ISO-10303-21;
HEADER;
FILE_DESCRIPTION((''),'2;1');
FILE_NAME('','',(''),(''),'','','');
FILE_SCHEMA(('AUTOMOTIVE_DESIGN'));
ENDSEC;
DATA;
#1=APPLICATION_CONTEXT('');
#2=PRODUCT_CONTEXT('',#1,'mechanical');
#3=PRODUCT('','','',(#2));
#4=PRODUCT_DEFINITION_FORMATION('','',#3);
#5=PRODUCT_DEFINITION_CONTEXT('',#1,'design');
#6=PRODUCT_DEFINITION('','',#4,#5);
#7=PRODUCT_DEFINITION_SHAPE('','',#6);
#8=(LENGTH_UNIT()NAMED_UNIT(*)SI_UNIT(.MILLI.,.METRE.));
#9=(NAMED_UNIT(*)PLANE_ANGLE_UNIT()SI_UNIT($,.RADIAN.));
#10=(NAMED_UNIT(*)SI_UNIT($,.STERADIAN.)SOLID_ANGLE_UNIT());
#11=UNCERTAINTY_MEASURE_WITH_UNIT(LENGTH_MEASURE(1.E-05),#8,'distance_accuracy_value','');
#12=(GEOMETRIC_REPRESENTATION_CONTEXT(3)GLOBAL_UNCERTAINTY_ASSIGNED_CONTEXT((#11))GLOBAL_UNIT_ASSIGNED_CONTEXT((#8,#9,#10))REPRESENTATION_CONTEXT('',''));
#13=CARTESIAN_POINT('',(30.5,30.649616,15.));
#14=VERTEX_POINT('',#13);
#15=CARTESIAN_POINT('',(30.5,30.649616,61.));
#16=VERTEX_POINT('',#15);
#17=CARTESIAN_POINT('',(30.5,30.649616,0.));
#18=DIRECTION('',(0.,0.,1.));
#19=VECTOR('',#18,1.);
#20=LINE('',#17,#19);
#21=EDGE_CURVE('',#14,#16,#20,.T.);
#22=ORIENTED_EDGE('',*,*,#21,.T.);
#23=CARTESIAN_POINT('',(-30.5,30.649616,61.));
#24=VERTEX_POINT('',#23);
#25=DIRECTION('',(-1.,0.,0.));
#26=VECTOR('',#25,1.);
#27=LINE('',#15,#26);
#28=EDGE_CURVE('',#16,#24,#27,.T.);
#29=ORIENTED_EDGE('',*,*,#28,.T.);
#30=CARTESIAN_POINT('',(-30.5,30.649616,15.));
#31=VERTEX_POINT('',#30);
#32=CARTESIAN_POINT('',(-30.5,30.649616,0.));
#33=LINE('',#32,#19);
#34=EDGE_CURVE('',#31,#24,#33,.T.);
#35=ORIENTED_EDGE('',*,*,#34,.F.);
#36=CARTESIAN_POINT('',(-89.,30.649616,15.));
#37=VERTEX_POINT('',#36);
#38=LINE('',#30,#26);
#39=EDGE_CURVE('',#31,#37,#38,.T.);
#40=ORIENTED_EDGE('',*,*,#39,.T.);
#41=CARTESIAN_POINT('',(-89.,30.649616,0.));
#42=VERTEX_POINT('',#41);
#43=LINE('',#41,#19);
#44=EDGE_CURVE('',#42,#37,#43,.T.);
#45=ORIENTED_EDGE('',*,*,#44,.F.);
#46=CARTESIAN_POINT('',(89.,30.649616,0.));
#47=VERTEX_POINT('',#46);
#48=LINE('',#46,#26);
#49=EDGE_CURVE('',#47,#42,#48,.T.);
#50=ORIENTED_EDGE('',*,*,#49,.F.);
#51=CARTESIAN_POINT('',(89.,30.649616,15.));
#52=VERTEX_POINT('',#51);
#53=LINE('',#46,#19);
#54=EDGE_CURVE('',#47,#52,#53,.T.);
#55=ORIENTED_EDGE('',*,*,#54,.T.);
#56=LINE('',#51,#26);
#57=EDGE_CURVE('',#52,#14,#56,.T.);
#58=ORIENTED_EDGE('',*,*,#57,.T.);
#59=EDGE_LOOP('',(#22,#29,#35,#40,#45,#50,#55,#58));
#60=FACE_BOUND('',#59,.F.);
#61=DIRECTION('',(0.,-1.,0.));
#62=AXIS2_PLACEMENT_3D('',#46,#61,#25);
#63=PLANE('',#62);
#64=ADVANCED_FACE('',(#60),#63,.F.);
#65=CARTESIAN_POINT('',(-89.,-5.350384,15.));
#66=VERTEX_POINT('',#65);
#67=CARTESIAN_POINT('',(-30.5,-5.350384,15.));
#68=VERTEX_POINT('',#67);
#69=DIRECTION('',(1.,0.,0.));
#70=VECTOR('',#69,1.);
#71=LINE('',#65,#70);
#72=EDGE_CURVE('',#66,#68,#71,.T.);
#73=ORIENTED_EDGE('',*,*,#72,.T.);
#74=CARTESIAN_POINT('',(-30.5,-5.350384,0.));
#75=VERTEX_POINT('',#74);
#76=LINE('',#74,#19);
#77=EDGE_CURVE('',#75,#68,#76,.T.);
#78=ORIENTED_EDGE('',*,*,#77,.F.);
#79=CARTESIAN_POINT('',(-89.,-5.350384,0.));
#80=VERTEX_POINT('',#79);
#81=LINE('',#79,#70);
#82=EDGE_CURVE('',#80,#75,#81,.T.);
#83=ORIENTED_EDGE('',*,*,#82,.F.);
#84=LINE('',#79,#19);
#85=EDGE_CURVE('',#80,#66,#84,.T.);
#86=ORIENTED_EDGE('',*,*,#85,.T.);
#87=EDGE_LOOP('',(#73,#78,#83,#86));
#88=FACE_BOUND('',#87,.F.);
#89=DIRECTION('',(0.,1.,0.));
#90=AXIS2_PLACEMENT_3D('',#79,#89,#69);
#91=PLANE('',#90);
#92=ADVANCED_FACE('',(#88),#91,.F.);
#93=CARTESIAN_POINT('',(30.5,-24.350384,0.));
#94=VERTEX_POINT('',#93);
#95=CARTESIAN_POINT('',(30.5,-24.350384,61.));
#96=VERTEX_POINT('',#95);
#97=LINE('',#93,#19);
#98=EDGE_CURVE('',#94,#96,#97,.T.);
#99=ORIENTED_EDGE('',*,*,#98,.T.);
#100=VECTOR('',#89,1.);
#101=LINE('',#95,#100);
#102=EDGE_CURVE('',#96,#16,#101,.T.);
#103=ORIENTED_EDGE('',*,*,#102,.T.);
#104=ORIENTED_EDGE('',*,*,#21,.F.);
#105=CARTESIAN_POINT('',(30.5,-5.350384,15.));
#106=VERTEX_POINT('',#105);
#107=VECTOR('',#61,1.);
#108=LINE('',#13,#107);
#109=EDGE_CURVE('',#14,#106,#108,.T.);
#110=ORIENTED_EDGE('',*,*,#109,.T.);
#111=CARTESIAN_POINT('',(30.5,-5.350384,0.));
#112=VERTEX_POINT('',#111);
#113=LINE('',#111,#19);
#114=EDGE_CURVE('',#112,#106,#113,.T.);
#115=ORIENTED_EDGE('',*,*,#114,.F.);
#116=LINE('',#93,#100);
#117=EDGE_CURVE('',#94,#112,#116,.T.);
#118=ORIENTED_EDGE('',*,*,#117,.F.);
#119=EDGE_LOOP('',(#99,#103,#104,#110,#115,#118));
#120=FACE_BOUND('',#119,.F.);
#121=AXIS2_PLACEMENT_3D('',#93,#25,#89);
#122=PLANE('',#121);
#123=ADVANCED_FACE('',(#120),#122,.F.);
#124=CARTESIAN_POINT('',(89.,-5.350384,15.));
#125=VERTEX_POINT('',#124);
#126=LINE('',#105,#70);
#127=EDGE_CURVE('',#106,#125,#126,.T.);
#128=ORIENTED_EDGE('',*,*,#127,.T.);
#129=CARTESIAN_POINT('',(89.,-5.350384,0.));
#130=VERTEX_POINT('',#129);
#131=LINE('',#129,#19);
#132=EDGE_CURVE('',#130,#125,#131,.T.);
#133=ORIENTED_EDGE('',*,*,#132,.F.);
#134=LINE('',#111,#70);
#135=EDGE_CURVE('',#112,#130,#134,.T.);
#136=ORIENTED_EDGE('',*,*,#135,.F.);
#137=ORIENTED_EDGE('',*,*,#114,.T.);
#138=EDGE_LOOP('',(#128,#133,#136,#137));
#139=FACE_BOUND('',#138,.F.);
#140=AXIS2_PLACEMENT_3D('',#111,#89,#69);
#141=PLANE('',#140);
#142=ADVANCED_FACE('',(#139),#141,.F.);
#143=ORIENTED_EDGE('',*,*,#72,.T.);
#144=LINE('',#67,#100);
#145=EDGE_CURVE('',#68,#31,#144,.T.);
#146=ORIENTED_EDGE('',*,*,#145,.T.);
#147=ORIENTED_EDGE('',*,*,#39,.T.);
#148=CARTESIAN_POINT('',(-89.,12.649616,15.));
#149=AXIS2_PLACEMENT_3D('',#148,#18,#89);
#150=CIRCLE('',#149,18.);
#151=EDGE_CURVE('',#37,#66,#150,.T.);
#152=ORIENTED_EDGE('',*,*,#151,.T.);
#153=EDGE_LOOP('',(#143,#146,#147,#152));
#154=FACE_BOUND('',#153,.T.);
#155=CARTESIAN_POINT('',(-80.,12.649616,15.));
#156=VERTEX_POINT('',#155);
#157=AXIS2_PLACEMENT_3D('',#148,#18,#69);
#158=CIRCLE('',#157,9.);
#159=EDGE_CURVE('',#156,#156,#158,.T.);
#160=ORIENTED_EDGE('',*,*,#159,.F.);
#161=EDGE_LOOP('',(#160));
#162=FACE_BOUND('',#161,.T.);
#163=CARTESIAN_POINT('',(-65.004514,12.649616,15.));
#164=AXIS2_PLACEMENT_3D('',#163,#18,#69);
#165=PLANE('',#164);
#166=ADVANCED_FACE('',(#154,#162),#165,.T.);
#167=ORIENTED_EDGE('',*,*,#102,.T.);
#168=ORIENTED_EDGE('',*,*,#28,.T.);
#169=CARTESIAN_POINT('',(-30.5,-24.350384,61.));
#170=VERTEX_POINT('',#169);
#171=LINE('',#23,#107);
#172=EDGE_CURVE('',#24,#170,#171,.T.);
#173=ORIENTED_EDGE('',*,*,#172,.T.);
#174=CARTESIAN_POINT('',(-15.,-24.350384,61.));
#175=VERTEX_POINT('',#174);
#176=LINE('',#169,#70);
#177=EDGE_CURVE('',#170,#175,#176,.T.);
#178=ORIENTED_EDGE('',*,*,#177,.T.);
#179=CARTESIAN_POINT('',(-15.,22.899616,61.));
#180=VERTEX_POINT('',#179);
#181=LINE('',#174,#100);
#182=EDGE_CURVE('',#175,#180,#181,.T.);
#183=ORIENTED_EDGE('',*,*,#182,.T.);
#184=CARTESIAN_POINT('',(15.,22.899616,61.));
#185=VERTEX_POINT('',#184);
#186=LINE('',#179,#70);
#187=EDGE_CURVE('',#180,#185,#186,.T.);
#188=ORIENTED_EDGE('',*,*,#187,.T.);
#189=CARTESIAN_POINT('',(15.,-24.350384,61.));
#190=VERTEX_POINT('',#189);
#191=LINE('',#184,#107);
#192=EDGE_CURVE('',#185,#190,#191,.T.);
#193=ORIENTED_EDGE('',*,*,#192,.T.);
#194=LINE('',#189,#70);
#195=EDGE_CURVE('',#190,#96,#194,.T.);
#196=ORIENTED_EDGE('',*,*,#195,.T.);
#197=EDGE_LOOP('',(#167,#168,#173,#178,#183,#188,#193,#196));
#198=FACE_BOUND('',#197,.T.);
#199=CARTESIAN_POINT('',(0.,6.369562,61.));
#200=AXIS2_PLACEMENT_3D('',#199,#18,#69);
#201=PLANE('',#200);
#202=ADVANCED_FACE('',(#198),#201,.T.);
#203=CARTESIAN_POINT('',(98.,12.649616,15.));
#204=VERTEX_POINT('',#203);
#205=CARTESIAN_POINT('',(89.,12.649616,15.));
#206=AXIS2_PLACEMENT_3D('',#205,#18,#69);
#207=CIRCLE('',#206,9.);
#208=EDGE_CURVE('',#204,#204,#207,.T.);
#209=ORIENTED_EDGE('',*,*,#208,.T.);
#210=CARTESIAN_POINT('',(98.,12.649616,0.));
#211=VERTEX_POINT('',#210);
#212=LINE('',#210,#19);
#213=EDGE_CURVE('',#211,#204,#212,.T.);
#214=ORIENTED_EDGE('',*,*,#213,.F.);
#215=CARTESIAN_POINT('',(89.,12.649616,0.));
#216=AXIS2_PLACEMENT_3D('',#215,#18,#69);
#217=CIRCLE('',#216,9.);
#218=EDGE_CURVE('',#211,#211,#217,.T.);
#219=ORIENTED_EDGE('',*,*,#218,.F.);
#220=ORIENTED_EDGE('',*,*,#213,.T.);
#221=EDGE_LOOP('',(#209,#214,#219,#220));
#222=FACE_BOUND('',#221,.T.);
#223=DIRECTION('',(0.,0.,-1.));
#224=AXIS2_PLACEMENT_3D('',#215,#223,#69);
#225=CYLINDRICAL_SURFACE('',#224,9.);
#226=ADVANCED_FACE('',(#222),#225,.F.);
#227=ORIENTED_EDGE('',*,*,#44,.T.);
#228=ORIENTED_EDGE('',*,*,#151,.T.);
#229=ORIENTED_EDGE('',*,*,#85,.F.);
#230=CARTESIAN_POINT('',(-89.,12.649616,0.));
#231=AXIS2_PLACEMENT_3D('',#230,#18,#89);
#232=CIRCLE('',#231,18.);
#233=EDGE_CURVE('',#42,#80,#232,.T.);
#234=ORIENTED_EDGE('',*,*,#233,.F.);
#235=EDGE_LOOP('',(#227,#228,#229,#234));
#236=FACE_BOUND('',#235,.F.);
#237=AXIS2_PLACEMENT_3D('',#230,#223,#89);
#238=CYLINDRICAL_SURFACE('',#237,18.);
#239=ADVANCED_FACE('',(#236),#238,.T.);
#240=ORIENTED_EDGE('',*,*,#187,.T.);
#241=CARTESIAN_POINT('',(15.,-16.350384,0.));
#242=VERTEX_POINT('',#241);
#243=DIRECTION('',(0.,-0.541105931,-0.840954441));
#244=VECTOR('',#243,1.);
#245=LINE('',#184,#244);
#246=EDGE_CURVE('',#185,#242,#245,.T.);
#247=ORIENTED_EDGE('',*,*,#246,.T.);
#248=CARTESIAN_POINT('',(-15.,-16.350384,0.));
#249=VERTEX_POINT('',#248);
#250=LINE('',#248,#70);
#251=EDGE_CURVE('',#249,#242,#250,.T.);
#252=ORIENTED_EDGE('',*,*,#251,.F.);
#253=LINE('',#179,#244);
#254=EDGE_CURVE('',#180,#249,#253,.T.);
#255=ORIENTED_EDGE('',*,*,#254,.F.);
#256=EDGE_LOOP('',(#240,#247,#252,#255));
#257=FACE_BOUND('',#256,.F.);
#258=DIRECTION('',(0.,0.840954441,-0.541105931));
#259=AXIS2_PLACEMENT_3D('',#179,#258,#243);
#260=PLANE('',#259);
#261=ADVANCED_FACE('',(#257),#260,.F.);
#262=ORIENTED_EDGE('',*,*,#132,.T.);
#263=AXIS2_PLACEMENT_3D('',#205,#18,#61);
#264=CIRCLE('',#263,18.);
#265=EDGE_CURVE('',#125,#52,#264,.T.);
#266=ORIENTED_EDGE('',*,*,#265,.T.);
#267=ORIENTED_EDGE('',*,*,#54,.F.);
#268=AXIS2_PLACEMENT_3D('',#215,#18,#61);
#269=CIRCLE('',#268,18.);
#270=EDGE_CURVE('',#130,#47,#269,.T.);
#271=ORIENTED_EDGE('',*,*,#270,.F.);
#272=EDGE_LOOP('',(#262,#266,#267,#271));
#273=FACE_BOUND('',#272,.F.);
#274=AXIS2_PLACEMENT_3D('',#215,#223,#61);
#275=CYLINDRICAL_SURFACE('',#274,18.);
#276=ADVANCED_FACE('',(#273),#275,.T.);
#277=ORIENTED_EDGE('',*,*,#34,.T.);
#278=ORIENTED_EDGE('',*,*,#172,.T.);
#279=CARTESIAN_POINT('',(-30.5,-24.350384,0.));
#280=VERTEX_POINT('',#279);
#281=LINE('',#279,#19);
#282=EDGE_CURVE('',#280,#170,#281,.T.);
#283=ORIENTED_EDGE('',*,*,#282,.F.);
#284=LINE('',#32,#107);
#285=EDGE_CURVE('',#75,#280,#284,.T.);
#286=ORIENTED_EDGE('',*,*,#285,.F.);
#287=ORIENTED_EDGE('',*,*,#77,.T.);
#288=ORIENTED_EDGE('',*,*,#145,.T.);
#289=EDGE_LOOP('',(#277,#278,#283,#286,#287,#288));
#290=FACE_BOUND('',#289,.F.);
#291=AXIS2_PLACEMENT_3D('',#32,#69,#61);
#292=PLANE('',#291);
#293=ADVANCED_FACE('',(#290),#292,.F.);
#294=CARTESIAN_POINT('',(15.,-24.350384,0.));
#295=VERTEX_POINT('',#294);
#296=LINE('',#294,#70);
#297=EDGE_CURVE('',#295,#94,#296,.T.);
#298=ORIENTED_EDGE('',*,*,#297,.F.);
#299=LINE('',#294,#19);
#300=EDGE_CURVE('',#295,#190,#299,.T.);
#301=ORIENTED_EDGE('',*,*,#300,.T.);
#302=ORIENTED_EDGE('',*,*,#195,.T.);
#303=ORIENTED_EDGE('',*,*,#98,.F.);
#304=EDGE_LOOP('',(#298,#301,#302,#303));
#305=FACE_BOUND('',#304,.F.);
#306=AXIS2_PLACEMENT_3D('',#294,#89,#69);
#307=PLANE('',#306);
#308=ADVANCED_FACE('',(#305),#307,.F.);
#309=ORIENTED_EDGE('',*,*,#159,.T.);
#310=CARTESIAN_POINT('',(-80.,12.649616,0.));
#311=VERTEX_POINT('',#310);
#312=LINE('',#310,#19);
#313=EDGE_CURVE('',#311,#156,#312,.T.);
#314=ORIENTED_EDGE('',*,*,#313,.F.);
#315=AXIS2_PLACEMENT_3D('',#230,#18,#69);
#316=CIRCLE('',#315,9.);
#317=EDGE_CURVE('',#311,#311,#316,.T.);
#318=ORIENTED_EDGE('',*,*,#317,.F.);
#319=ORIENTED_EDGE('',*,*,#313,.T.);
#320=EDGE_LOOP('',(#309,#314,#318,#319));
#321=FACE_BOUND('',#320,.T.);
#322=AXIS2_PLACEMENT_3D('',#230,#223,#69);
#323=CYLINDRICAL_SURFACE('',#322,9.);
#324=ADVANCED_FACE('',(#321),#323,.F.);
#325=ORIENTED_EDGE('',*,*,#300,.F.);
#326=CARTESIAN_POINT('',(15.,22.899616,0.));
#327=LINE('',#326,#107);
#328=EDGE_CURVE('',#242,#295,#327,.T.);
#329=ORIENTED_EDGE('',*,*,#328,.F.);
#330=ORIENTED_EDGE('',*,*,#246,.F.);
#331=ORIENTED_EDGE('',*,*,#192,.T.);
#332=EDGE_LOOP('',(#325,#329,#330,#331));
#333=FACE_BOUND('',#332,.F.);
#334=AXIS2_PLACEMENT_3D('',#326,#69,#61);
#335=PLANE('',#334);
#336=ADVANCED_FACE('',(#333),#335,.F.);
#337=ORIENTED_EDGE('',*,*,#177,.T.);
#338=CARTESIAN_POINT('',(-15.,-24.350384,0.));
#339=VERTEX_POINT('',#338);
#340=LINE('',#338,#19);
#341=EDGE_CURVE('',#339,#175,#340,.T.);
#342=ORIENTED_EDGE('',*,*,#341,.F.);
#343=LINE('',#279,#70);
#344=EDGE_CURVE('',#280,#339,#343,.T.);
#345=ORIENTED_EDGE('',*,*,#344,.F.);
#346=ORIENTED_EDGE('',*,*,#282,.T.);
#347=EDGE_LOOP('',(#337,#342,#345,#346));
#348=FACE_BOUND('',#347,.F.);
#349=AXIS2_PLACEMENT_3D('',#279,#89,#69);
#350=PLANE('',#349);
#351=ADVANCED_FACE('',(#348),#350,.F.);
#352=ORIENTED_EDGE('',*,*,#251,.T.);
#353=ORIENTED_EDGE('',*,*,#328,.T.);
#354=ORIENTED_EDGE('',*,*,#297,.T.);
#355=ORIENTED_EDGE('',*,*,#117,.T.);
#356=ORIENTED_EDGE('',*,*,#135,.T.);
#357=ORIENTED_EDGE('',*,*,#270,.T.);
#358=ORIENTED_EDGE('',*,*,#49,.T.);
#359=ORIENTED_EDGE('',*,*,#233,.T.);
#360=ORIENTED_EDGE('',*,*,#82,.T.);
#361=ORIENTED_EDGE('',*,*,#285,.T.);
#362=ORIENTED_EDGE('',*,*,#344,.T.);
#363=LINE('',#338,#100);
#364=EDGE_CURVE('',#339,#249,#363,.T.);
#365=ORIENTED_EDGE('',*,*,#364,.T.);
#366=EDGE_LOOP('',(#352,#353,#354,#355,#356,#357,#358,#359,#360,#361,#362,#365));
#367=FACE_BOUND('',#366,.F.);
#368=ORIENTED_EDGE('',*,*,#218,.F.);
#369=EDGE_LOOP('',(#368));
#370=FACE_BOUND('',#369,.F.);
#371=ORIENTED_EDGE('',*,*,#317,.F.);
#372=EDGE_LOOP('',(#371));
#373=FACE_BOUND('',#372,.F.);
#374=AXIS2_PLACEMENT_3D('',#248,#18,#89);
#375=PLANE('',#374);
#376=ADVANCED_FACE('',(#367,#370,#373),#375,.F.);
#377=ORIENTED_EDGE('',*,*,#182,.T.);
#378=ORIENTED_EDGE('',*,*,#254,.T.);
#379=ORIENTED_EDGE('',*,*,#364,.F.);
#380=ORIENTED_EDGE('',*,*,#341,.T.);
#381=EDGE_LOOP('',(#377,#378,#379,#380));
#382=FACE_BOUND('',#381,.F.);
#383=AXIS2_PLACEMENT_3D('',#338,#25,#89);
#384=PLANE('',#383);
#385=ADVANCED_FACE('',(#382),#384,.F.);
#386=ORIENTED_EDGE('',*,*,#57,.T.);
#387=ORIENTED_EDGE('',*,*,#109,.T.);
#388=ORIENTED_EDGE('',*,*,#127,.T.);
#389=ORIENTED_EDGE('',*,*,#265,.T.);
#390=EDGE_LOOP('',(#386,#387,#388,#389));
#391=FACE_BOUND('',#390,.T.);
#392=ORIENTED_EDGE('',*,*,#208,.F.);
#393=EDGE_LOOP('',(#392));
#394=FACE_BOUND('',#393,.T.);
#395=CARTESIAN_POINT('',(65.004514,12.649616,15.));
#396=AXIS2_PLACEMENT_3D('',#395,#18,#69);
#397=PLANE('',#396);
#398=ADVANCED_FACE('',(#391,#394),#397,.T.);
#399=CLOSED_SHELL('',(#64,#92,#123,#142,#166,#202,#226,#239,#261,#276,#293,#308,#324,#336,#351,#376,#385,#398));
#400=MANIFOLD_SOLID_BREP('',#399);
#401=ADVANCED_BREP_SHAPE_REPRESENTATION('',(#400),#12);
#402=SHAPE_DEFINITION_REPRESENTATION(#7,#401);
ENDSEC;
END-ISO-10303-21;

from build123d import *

# Parameters (mm, degrees)
F1_DEPTH = 61
F0_R     = 9
F2_DEPTH = 15
F4_DEPTH = 30


with BuildPart() as f1:
    # F0 (on Top) → F1 (new body)
    with BuildSketch(Plane.XY):
        Polygon((30.5, 30.649616), (-30.5, 30.649616), (-30.5, -5.350384), (-30.5, -24.350384), (-15, -24.350384), (-15, -16.350384), (-15, 22.899616), (0, 22.899616), (15, 22.899616), (15, -16.350384), (15, -24.350384), (30.5, -24.350384), (30.5, -5.350384), align=None)
    extrude(amount=F1_DEPTH)

    # F0 (on Top) → F2 (join)
    with BuildSketch(Plane.XY):
        with BuildLine():
            Line((89, 30.649616), (30.5, 30.649616))
            Line((30.5, 30.649616), (30.5, -5.350384))
            Line((30.5, -5.350384), (89, -5.350384))
            ThreePointArc((89, -5.350384), (107, 12.649616), (89, 30.649616))
        make_face()
        with Locations((89, 12.649616)):
            Circle(F0_R, mode=Mode.SUBTRACT)
        with BuildLine():
            Line((-30.5, -5.350384), (-30.5, 30.649616))
            Line((-30.5, 30.649616), (-89, 30.649616))
            ThreePointArc((-89, 30.649616), (-107, 12.649616), (-89, -5.350384))
            Line((-89, -5.350384), (-30.5, -5.350384))
        make_face()
        with Locations((-89, 12.649616)):
            Circle(F0_R, mode=Mode.SUBTRACT)
    extrude(amount=F2_DEPTH)

    # F3 (on face) → F4 (join)
    with BuildSketch(Plane.YZ.offset(-15)):
        Polygon((22.899616, 0), (22.899616, 61), (-16.350384, 0), align=None)
    extrude(amount=F4_DEPTH)


solid = f1.part
